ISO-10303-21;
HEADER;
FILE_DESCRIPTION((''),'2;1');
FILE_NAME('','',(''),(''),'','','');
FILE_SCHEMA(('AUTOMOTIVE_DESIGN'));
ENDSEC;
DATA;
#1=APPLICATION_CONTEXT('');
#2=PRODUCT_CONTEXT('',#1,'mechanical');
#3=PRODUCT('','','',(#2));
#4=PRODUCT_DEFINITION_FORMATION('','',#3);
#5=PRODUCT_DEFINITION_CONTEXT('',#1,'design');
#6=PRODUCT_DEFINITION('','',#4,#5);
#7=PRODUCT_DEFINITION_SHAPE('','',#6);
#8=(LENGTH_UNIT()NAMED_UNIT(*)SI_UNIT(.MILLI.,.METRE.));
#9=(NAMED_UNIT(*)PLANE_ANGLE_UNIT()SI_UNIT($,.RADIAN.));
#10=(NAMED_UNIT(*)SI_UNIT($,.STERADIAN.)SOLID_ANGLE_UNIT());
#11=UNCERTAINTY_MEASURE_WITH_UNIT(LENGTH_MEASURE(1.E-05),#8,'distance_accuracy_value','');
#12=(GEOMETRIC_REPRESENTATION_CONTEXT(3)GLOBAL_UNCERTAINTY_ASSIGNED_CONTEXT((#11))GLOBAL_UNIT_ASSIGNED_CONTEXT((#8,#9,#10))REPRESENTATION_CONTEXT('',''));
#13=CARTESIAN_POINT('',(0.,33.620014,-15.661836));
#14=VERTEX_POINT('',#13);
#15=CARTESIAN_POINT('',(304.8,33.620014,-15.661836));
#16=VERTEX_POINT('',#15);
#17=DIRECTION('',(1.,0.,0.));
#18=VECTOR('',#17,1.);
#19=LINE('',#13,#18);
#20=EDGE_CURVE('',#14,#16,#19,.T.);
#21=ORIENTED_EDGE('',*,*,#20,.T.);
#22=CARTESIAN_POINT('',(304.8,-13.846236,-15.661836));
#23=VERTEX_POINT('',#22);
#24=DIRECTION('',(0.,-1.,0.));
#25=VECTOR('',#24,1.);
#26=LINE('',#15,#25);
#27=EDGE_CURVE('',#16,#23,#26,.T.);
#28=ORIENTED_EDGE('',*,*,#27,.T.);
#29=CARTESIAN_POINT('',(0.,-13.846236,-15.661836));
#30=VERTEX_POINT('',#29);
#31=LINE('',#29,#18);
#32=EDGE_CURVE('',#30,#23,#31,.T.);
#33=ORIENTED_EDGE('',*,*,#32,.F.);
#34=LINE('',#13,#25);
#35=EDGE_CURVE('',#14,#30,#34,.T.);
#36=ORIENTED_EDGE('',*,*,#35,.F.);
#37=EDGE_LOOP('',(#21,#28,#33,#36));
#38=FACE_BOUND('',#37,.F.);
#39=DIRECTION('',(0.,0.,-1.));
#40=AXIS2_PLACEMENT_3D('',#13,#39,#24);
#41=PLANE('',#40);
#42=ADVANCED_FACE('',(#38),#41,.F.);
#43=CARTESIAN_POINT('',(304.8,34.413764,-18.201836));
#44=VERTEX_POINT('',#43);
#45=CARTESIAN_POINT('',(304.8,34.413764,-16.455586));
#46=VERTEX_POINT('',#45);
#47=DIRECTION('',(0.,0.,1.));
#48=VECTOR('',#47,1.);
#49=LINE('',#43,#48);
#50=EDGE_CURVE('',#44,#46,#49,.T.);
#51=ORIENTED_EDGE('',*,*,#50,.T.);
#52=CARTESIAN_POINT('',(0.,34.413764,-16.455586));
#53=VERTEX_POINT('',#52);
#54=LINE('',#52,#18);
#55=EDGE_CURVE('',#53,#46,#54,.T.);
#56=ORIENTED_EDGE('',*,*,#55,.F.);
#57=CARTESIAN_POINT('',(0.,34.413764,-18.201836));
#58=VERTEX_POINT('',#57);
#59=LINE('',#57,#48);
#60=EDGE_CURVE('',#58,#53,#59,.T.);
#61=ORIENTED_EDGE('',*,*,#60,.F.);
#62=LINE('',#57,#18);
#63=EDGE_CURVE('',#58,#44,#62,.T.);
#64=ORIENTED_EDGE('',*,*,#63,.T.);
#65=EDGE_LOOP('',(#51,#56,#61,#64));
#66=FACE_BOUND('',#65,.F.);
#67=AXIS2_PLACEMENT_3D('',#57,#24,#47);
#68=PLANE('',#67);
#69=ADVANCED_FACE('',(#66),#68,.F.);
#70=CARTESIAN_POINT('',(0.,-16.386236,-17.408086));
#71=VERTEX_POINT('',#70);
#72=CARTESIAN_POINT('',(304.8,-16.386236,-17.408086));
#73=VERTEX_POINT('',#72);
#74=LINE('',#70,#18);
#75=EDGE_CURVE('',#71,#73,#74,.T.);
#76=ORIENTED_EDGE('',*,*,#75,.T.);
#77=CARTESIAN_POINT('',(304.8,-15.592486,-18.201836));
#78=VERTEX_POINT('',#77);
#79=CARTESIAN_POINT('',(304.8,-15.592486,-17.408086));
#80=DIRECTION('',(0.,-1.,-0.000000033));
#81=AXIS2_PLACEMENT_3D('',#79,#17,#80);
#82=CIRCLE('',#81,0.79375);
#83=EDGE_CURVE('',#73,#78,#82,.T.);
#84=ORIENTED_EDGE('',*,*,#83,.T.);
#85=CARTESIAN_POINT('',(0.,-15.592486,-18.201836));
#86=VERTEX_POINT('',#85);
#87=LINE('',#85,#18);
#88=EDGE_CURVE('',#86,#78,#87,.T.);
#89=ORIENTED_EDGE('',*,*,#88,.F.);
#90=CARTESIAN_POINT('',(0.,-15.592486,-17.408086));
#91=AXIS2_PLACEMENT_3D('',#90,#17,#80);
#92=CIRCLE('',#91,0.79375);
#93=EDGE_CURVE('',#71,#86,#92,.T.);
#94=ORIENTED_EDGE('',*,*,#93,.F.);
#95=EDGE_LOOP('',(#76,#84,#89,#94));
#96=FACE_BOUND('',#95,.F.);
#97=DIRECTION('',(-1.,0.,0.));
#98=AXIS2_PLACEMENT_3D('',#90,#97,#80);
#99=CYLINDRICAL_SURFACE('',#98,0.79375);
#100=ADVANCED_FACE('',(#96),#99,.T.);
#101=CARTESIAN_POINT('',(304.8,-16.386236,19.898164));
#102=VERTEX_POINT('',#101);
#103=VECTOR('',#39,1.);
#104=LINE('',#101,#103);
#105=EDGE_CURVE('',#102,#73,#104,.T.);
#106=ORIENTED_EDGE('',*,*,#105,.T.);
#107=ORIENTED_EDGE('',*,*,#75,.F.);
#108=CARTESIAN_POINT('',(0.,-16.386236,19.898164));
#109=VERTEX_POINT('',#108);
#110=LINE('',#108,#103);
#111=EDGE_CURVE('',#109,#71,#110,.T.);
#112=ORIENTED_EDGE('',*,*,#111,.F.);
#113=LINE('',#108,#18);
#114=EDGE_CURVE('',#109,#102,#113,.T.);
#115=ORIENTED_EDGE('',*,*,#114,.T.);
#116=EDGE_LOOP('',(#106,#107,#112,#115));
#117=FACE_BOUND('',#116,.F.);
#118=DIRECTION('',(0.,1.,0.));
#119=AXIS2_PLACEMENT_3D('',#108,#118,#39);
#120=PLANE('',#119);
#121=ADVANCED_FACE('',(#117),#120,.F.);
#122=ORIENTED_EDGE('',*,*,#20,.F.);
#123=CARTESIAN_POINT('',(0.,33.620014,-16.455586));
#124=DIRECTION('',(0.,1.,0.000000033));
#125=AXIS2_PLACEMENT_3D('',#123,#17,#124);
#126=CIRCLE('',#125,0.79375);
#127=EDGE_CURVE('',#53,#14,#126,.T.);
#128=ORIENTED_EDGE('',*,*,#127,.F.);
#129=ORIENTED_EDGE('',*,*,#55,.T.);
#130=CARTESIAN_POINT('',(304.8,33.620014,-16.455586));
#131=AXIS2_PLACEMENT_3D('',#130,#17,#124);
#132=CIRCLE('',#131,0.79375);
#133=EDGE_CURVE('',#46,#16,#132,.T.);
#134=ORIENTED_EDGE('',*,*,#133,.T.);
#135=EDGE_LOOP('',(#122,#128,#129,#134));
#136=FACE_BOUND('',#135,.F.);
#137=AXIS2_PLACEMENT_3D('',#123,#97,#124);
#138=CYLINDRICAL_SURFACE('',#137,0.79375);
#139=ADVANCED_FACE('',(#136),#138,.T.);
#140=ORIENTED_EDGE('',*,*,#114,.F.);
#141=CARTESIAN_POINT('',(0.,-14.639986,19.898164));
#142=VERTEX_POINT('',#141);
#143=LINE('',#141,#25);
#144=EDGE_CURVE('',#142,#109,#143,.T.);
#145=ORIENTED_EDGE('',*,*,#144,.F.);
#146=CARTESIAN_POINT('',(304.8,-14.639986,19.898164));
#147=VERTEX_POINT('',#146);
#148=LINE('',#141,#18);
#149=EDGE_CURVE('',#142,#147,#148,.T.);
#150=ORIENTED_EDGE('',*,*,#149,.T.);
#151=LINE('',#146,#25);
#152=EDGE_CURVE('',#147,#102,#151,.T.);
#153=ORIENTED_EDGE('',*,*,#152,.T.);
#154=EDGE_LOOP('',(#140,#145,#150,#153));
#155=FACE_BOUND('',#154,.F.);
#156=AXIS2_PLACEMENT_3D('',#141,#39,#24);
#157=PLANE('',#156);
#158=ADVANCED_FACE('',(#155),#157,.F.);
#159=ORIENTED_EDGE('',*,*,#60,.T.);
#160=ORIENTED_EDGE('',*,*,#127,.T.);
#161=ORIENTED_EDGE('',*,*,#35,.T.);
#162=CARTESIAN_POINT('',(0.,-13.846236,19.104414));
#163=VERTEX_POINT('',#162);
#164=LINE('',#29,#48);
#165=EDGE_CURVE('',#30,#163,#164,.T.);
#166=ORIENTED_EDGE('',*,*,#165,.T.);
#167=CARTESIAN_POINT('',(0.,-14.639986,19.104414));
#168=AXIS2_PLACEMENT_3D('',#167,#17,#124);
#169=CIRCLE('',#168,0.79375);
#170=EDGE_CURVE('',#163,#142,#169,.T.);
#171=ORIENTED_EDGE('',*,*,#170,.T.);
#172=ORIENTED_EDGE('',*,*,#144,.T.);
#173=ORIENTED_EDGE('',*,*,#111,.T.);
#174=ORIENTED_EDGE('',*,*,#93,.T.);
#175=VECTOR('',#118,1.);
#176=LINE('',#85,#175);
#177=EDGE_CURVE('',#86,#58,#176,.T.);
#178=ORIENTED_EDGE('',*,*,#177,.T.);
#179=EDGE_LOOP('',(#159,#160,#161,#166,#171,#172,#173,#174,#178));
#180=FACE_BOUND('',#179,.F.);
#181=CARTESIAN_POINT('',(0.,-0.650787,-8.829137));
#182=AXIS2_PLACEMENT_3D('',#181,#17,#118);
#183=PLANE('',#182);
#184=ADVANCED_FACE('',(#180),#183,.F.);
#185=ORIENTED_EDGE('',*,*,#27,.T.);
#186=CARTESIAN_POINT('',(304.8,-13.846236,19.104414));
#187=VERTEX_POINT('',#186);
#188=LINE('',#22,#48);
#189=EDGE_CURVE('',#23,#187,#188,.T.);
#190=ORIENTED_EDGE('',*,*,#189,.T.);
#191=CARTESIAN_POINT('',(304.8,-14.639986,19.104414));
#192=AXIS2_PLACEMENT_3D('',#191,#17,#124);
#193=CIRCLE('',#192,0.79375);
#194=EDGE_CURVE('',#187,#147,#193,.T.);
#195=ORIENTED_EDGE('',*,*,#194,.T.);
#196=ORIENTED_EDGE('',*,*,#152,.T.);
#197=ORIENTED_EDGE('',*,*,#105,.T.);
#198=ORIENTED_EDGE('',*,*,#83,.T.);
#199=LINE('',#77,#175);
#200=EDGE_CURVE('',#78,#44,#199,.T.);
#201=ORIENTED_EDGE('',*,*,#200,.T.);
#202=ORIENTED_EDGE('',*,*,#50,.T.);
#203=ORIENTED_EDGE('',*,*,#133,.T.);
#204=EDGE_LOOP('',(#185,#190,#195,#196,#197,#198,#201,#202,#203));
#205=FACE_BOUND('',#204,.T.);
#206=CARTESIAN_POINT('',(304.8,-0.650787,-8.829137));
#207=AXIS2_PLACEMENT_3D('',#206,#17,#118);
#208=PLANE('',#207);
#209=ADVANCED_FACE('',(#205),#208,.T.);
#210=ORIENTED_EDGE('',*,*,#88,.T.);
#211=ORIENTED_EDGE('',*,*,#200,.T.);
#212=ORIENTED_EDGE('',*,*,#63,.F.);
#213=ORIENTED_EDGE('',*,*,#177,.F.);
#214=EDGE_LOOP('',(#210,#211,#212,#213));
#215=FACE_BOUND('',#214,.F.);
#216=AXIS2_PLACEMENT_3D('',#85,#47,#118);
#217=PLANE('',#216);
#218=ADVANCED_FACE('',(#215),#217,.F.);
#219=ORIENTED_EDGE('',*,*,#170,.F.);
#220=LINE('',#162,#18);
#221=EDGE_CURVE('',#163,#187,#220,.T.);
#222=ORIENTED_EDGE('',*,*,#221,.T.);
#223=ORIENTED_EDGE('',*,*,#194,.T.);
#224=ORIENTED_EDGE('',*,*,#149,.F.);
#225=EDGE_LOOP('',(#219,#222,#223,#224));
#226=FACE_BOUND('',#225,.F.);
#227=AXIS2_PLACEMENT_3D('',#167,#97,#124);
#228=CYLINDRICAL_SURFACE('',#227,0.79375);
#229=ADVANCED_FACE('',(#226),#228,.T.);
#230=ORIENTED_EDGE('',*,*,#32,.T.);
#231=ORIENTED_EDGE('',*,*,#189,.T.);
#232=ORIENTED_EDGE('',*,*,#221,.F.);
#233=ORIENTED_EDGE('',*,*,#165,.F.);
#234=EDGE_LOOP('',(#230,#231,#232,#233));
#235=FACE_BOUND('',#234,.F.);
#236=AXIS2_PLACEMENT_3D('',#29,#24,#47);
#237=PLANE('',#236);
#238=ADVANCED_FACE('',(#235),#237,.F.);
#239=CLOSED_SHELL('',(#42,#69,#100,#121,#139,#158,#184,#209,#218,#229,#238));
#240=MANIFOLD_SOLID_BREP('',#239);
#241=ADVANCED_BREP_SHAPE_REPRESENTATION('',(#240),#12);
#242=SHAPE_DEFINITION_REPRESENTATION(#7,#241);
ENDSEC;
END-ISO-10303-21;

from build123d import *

# Parameters (mm, degrees)
F1_DEPTH = 304.8


with BuildPart() as f1:
    # F0 (on Right) → F1 (new body)
    with BuildSketch(Plane.YZ):
        with BuildLine():
            Line((-14.639986, 19.898164), (-16.386236, 19.898164))
            Line((-16.386236, 19.898164), (-16.386236, -17.408086))
            ThreePointArc((-16.386236, -17.408086), (-16.153752, -17.969352), (-15.592486, -18.201836))
            Line((-15.592486, -18.201836), (34.413764, -18.201836))
            Line((34.413764, -18.201836), (34.413764, -16.455586))
            ThreePointArc((34.413764, -16.455586), (34.18128, -15.89432), (33.620014, -15.661836))
            Line((33.620014, -15.661836), (-13.846236, -15.661836))
            Line((-13.846236, -15.661836), (-13.846236, 19.104414))
            ThreePointArc((-13.846236, 19.104414), (-14.07872, 19.66568), (-14.639986, 19.898164))
        make_face()
    extrude(amount=F1_DEPTH)


solid = f1.part
